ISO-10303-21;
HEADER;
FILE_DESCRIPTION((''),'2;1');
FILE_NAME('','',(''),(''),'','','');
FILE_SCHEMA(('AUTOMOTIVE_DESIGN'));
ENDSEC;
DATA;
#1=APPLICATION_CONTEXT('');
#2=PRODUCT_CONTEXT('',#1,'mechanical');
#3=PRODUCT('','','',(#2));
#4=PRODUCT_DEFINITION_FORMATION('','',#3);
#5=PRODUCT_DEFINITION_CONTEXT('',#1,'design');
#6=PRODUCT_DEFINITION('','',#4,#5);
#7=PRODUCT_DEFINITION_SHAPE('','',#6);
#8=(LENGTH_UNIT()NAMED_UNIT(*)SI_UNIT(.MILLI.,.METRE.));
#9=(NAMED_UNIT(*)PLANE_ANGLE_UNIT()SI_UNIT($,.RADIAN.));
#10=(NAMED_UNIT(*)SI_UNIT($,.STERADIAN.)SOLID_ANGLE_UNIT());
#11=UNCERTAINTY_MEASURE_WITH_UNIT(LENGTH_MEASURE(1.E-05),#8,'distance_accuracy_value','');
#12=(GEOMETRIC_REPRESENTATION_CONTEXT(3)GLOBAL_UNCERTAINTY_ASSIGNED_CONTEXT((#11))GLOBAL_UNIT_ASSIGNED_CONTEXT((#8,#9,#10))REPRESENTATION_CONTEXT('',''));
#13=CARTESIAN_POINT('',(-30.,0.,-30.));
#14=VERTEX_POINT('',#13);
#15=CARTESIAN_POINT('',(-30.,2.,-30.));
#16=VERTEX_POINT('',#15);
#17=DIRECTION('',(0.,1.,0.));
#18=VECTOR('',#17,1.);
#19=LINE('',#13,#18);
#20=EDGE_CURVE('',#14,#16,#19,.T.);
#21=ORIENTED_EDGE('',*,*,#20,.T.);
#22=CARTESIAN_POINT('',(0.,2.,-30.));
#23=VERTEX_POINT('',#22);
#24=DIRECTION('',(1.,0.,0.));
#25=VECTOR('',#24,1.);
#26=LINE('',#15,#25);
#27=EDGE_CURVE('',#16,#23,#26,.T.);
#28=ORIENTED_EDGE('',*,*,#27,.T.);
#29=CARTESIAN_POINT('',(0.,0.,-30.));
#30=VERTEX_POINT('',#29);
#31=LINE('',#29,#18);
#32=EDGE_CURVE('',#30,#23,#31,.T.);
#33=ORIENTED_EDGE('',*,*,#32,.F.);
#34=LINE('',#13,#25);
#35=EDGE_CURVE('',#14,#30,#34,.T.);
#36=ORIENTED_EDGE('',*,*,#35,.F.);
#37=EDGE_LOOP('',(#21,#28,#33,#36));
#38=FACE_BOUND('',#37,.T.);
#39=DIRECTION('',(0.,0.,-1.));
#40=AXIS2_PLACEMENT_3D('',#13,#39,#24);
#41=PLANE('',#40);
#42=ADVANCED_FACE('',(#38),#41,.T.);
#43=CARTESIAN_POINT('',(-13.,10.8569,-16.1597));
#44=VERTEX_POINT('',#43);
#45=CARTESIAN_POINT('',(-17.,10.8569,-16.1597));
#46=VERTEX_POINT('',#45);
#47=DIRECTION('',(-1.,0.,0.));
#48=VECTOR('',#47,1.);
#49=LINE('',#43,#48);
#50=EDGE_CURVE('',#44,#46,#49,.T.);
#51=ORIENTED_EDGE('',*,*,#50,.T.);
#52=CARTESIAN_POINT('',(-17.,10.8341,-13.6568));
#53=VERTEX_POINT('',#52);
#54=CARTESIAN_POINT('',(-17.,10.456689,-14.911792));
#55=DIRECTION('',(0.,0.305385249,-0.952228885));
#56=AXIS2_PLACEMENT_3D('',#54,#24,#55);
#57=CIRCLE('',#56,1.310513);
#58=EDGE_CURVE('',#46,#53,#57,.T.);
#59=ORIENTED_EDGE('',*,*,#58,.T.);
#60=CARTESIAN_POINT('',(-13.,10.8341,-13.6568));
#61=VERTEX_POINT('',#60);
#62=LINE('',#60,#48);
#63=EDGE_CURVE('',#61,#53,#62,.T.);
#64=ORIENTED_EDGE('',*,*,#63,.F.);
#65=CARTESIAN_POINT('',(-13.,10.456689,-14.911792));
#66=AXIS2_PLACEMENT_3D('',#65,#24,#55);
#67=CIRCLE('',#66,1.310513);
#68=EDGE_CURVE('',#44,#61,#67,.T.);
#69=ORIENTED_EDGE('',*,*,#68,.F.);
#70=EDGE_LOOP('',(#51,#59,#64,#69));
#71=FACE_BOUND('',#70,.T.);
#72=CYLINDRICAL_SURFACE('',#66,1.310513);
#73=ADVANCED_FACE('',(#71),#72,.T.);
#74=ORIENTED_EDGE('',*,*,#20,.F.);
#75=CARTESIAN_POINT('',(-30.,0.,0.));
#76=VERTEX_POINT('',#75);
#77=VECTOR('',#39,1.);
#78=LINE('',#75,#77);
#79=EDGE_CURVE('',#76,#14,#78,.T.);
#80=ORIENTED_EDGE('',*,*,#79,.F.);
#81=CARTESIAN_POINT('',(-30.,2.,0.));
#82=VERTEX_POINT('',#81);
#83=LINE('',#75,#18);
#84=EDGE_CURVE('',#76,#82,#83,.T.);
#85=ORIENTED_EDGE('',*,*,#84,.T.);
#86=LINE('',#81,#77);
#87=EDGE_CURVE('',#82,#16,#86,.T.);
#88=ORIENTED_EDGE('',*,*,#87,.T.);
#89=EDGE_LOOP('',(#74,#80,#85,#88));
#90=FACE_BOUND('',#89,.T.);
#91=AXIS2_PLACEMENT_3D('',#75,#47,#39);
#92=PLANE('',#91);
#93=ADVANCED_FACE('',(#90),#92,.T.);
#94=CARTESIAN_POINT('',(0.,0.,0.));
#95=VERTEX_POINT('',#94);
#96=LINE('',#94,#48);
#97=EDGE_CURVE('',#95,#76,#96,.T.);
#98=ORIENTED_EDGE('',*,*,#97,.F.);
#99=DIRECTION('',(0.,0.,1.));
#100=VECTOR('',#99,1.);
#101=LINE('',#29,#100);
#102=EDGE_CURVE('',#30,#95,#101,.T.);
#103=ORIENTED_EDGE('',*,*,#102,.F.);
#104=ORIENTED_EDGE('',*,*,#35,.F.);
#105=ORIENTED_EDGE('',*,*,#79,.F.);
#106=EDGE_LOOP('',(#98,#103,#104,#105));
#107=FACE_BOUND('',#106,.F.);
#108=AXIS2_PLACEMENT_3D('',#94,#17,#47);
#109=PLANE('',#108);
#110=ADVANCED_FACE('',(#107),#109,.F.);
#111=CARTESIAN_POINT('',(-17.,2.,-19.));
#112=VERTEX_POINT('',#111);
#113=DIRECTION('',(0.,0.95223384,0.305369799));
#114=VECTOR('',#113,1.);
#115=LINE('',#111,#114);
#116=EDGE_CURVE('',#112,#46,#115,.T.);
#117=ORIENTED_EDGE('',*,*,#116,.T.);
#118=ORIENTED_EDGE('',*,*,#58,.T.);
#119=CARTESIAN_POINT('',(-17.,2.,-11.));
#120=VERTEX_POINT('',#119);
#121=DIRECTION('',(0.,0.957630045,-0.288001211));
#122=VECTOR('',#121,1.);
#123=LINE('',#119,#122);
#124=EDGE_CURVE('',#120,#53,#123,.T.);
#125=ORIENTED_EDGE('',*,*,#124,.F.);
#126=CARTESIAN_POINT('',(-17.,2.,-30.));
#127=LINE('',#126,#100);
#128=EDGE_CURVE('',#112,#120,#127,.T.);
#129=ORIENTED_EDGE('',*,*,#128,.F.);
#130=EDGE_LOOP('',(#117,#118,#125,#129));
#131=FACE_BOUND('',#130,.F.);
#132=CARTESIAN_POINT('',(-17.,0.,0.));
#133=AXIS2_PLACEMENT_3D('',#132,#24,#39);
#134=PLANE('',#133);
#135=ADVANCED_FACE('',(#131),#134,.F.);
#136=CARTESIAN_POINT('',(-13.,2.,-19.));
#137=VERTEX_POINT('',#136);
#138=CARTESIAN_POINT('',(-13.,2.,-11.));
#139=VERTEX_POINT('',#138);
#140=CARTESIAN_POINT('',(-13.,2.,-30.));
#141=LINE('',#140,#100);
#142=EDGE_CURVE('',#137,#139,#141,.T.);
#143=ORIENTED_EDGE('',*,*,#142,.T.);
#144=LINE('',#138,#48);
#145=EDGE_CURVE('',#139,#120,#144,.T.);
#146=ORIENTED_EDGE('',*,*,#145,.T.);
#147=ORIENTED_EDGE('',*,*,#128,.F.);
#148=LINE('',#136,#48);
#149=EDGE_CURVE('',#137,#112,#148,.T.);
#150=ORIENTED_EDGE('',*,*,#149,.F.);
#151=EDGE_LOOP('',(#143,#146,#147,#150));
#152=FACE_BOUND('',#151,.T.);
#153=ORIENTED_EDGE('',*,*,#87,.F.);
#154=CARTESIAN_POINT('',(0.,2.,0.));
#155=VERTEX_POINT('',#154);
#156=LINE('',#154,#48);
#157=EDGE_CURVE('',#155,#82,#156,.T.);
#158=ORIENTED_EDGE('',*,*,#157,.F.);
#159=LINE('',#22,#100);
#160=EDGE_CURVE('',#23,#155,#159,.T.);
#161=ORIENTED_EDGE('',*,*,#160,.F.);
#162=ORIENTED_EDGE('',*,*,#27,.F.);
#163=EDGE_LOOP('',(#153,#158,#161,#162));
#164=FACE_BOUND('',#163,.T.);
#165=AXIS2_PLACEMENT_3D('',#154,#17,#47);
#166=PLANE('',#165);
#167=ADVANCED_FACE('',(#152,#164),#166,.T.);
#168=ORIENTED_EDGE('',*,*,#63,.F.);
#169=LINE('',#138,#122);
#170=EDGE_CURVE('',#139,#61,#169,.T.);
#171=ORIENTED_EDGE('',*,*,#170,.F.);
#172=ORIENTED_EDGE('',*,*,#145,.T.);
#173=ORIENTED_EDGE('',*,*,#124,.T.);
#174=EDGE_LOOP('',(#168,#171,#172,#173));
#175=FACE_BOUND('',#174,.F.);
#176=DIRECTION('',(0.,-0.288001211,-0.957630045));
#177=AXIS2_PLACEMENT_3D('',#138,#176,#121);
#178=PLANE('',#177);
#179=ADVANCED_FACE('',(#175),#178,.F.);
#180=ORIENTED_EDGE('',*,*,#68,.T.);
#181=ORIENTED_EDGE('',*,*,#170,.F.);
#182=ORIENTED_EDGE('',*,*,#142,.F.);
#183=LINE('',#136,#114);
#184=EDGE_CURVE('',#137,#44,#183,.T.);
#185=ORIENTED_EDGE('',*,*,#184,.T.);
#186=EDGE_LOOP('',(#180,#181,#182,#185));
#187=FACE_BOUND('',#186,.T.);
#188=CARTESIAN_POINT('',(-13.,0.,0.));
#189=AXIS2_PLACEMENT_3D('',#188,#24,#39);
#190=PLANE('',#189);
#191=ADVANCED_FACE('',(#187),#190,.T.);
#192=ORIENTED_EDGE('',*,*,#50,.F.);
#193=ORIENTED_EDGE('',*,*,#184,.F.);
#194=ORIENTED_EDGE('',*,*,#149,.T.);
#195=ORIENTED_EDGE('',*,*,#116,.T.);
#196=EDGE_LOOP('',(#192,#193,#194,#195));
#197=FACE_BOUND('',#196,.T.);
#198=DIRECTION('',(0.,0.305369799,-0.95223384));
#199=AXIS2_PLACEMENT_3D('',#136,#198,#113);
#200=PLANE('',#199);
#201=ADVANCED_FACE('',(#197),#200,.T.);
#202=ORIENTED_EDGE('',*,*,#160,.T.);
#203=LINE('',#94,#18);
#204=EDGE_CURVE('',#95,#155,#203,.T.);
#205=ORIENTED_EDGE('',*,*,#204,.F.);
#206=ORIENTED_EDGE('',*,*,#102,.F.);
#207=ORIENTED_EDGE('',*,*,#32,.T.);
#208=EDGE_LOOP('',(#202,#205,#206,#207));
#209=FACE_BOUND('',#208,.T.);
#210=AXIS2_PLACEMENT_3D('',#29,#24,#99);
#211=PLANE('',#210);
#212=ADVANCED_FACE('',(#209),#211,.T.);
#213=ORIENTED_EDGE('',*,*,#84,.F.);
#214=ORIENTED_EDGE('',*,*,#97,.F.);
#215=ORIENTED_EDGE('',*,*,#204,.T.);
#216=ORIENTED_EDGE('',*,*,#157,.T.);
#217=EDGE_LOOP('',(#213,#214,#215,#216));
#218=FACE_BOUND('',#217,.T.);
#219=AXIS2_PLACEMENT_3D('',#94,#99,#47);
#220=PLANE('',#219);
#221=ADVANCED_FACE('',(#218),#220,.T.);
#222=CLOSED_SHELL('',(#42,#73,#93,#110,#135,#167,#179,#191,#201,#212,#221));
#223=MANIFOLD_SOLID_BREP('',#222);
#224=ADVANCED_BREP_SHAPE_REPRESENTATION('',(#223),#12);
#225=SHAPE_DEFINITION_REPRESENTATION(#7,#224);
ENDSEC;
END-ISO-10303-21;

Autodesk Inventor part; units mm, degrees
ref_plane "YZ Plane" through (0, 0, 0) normal (1, 0, 0) x (0, 1, 0)
ref_plane "XZ Plane" through (0, 0, 0) normal (0, 1, 0) x (-1, 0, 0)
ref_plane "XY Plane" through (0, 0, 0) normal (0, 0, 1) x (1, 0, 0)
sketch "Sketch1" plane through (0, 0, 0) normal (0, 1, 0) x (-1, 0, 0)
  line L0 (0, 0) -> (30, 0)
  line L1 (30, 0) -> (30, -30)
  line L2 (30, -30) -> (0, -30)
  line L3 (0, -30) -> (0, 0)
  dimension "d0" = 30
  dimension "d1" = 30
extrude "Extrusion1" add sketch "Sketch1" along normal blind 2
ref_plane "Work Plane1" through (-13, 0, 0) normal (1, 0, 0) x (0, 0, -1)
sketch "Sketch2" plane through (-13, 0, 0) normal (1, 0, 0) x (0, 0, -1)
  line L0 (30, 2) -> (0, 2) projected
  line L1 (19, 2) -> (16.1597, 10.8569)
  line L2 (11, 2) -> (13.6568, 10.8341)
  arc A0 (16.1597, 10.8569) -> (13.6568, 10.8341) centre (14.9118, 10.4567) ccw
  line L3 (0, 0) -> (0, 2) projected
  dimension "d5" = 11
  dimension "d6" = 8
extrude "Extrusion2" add sketch "Sketch2" against normal blind 4
properties part number "servo-mount"
